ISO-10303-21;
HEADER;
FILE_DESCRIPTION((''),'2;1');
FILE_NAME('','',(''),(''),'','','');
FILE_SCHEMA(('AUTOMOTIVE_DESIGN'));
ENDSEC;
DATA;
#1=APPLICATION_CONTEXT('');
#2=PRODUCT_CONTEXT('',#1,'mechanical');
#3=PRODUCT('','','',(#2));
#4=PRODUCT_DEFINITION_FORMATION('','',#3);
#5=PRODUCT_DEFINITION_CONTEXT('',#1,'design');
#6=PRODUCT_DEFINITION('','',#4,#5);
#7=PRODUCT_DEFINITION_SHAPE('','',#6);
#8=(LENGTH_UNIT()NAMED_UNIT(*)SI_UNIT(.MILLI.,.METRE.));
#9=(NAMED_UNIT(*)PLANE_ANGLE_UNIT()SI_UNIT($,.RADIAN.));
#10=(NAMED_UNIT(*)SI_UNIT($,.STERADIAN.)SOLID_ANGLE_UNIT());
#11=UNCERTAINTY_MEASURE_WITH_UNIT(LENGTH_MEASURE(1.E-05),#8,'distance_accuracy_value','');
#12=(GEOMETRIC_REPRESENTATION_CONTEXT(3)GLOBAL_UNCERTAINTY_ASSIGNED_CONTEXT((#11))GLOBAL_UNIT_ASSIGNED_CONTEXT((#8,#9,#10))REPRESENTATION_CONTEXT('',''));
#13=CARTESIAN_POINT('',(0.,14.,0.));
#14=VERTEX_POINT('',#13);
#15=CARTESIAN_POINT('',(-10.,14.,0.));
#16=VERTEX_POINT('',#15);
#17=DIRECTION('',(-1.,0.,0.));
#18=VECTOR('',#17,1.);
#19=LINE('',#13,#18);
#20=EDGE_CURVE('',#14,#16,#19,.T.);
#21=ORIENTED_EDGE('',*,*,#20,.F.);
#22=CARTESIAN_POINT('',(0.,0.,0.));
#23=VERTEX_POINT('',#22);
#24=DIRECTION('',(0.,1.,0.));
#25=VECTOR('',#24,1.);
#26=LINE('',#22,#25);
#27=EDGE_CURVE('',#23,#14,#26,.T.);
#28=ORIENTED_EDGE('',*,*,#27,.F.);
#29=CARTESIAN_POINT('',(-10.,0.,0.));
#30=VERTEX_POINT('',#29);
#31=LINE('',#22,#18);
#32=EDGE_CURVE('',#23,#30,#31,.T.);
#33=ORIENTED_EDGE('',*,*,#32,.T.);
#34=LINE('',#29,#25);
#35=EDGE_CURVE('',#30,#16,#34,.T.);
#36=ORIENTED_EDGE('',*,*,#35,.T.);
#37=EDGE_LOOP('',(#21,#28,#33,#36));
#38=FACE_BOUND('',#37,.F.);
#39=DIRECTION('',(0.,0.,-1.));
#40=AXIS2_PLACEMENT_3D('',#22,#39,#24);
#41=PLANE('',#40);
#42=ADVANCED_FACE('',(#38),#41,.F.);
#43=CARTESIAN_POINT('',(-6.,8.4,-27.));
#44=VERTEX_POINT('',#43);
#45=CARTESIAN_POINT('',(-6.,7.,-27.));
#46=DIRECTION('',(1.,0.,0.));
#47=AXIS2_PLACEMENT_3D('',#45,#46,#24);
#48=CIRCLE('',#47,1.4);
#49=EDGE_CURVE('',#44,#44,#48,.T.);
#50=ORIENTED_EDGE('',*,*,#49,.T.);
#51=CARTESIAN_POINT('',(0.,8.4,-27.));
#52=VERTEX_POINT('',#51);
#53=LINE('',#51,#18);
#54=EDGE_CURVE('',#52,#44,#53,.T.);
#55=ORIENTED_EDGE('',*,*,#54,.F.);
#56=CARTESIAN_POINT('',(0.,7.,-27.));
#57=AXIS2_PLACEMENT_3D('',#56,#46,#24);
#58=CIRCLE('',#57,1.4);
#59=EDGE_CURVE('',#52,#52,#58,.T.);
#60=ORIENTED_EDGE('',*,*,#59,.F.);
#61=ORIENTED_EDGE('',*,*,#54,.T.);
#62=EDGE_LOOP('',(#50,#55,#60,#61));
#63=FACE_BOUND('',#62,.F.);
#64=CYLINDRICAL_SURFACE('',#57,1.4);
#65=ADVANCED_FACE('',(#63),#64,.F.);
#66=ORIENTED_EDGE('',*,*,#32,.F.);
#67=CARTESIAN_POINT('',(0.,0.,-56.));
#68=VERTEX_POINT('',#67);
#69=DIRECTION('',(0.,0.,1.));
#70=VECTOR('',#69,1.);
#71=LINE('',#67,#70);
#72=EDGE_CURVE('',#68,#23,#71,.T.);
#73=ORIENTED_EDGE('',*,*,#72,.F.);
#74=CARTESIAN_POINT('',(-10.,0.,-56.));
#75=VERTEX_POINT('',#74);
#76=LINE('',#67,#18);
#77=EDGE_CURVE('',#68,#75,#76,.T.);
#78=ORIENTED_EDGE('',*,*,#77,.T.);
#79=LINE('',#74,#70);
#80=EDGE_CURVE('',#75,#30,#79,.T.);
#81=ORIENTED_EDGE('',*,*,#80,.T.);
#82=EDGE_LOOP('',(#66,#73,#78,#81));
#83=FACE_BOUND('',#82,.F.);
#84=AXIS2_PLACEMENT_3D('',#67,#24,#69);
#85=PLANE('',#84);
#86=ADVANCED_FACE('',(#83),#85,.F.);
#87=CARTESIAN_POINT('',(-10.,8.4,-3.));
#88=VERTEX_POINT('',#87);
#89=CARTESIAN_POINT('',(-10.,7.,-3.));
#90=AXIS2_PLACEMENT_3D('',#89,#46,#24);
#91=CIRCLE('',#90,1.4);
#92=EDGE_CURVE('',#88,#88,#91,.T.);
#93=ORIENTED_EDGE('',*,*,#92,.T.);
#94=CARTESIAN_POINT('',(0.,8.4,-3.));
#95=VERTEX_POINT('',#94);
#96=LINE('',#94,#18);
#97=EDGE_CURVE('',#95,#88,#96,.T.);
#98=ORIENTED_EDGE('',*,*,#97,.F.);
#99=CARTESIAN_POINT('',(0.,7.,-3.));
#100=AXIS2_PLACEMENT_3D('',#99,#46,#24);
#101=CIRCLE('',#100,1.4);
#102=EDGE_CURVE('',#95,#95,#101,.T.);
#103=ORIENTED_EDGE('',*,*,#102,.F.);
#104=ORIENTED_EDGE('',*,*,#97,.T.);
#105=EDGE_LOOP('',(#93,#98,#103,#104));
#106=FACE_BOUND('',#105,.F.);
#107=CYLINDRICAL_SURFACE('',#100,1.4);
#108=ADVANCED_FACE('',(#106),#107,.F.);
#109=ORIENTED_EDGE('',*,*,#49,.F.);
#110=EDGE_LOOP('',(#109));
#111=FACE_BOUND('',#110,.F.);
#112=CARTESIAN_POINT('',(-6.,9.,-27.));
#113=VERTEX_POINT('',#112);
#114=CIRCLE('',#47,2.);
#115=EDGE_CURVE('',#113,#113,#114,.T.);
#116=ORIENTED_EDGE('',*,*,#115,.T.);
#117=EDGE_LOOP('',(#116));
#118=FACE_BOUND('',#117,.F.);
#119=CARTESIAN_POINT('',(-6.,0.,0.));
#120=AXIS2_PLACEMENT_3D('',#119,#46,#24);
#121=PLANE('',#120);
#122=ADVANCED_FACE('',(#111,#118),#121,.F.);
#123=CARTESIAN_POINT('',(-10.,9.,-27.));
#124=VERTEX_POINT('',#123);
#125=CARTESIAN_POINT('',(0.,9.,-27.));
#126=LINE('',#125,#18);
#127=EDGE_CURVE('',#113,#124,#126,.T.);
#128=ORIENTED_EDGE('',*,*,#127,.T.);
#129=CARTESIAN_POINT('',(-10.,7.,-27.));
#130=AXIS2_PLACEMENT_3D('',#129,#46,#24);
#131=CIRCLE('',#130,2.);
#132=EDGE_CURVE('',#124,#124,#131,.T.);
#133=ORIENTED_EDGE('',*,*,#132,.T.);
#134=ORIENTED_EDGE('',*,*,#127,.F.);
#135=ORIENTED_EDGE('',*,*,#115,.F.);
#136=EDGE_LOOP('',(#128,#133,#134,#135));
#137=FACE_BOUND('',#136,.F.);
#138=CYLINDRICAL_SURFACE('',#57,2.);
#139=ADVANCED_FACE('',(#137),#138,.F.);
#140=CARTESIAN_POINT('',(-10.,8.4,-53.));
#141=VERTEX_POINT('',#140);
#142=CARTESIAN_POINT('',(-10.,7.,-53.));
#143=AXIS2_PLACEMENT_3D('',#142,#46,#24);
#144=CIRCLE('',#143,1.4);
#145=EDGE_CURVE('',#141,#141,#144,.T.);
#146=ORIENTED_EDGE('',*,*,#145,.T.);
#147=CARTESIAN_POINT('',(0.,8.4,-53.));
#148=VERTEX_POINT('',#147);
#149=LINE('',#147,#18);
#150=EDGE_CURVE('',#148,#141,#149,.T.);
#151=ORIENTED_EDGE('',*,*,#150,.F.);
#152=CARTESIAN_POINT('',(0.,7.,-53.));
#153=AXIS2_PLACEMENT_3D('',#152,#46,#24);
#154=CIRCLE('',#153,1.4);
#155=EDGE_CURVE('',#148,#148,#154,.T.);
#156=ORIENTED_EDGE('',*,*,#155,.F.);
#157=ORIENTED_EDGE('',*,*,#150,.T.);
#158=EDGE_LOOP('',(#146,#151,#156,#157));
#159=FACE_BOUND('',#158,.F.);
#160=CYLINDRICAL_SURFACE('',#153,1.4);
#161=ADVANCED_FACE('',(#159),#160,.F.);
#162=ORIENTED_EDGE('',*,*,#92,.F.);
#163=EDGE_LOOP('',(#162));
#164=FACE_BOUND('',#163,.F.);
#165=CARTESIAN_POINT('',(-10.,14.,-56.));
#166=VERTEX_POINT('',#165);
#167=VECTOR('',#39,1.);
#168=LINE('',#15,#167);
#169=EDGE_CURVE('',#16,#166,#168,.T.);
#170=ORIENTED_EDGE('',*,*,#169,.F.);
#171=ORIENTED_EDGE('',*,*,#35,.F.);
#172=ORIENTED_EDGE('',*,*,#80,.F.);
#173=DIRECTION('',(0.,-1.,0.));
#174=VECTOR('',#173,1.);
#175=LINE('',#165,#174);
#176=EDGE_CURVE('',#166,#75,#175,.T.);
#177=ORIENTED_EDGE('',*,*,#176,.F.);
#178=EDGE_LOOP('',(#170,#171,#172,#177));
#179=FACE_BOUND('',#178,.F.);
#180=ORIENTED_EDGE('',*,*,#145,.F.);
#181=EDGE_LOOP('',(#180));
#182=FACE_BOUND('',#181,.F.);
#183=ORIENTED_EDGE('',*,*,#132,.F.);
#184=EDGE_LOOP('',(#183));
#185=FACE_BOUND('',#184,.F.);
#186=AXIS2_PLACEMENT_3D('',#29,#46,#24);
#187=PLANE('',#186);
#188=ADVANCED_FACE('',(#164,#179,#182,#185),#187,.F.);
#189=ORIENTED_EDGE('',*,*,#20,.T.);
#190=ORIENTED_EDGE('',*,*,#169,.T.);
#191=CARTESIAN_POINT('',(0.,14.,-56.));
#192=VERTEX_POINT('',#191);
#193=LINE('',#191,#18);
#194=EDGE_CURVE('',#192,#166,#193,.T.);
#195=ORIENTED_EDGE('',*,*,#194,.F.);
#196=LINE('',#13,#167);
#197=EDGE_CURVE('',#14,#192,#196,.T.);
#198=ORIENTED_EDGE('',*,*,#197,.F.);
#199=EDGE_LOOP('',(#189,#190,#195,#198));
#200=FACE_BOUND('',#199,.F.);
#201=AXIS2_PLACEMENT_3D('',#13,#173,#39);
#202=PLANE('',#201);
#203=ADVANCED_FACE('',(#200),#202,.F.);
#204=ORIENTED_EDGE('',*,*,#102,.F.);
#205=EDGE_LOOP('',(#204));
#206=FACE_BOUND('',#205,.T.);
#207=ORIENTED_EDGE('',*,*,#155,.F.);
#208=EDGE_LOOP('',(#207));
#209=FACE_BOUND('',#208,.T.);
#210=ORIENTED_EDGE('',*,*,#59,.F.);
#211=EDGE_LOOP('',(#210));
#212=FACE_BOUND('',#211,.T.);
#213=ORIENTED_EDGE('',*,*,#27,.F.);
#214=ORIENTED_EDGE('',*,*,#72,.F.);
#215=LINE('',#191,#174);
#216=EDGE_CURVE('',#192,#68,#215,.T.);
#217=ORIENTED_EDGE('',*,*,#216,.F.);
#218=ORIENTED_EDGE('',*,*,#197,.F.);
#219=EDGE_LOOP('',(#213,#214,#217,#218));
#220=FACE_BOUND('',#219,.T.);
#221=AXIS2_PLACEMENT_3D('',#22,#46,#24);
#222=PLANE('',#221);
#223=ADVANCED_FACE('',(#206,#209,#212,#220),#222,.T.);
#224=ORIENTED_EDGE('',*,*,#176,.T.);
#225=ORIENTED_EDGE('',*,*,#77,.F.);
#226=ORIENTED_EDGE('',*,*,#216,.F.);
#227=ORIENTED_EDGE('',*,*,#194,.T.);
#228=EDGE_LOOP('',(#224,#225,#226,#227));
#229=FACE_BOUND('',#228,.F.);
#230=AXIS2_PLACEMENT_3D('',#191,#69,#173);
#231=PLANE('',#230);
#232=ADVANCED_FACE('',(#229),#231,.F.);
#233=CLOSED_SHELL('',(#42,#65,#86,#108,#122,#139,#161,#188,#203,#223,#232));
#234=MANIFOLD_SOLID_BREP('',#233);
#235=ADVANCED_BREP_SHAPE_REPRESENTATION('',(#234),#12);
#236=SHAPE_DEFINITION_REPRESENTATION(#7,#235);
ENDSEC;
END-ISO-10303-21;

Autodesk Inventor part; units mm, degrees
ref_plane "YZ Plane" through (0, 0, 0) normal (1, 0, 0) x (0, 1, 0)
ref_plane "XZ Plane" through (0, 0, 0) normal (0, 1, 0) x (-1, 0, 0)
ref_plane "XY Plane" through (0, 0, 0) normal (0, 0, 1) x (1, 0, 0)
sketch "Sketch1" plane through (0, 0, 0) normal (1, 0, 0) x (0, 1, 0)
  line L0 (0, 0) -> (14, 0)
  line L1 (14, 0) -> (14, -56)
  line L2 (14, -56) -> (0, -56)
  line L3 (0, -56) -> (0, 0)
  circle A0 centre (7, -27) radius 1.4
  circle A1 centre (7, -27) radius 2
  circle A2 centre (7, -3) radius 1.4
  circle A3 centre (7, -53) radius 1.4
  dimension "d0" = 56
  dimension "d1" = 14
  dimension "d2" = 2.8
  dimension "d3" = 4
  dimension "d4" = 27
  dimension "d5" = 2.8
  dimension "d6" = 2.8
  dimension "d7" = 50
  dimension "d8" = 3
extrude "Extrusion1" add sketch "Sketch1" against normal blind 10 contours L0 L1 L2 L3
extrude "Extrusion2" add sketch "Sketch1" against normal blind 6 contours A1
properties part number "_3DPrint"
